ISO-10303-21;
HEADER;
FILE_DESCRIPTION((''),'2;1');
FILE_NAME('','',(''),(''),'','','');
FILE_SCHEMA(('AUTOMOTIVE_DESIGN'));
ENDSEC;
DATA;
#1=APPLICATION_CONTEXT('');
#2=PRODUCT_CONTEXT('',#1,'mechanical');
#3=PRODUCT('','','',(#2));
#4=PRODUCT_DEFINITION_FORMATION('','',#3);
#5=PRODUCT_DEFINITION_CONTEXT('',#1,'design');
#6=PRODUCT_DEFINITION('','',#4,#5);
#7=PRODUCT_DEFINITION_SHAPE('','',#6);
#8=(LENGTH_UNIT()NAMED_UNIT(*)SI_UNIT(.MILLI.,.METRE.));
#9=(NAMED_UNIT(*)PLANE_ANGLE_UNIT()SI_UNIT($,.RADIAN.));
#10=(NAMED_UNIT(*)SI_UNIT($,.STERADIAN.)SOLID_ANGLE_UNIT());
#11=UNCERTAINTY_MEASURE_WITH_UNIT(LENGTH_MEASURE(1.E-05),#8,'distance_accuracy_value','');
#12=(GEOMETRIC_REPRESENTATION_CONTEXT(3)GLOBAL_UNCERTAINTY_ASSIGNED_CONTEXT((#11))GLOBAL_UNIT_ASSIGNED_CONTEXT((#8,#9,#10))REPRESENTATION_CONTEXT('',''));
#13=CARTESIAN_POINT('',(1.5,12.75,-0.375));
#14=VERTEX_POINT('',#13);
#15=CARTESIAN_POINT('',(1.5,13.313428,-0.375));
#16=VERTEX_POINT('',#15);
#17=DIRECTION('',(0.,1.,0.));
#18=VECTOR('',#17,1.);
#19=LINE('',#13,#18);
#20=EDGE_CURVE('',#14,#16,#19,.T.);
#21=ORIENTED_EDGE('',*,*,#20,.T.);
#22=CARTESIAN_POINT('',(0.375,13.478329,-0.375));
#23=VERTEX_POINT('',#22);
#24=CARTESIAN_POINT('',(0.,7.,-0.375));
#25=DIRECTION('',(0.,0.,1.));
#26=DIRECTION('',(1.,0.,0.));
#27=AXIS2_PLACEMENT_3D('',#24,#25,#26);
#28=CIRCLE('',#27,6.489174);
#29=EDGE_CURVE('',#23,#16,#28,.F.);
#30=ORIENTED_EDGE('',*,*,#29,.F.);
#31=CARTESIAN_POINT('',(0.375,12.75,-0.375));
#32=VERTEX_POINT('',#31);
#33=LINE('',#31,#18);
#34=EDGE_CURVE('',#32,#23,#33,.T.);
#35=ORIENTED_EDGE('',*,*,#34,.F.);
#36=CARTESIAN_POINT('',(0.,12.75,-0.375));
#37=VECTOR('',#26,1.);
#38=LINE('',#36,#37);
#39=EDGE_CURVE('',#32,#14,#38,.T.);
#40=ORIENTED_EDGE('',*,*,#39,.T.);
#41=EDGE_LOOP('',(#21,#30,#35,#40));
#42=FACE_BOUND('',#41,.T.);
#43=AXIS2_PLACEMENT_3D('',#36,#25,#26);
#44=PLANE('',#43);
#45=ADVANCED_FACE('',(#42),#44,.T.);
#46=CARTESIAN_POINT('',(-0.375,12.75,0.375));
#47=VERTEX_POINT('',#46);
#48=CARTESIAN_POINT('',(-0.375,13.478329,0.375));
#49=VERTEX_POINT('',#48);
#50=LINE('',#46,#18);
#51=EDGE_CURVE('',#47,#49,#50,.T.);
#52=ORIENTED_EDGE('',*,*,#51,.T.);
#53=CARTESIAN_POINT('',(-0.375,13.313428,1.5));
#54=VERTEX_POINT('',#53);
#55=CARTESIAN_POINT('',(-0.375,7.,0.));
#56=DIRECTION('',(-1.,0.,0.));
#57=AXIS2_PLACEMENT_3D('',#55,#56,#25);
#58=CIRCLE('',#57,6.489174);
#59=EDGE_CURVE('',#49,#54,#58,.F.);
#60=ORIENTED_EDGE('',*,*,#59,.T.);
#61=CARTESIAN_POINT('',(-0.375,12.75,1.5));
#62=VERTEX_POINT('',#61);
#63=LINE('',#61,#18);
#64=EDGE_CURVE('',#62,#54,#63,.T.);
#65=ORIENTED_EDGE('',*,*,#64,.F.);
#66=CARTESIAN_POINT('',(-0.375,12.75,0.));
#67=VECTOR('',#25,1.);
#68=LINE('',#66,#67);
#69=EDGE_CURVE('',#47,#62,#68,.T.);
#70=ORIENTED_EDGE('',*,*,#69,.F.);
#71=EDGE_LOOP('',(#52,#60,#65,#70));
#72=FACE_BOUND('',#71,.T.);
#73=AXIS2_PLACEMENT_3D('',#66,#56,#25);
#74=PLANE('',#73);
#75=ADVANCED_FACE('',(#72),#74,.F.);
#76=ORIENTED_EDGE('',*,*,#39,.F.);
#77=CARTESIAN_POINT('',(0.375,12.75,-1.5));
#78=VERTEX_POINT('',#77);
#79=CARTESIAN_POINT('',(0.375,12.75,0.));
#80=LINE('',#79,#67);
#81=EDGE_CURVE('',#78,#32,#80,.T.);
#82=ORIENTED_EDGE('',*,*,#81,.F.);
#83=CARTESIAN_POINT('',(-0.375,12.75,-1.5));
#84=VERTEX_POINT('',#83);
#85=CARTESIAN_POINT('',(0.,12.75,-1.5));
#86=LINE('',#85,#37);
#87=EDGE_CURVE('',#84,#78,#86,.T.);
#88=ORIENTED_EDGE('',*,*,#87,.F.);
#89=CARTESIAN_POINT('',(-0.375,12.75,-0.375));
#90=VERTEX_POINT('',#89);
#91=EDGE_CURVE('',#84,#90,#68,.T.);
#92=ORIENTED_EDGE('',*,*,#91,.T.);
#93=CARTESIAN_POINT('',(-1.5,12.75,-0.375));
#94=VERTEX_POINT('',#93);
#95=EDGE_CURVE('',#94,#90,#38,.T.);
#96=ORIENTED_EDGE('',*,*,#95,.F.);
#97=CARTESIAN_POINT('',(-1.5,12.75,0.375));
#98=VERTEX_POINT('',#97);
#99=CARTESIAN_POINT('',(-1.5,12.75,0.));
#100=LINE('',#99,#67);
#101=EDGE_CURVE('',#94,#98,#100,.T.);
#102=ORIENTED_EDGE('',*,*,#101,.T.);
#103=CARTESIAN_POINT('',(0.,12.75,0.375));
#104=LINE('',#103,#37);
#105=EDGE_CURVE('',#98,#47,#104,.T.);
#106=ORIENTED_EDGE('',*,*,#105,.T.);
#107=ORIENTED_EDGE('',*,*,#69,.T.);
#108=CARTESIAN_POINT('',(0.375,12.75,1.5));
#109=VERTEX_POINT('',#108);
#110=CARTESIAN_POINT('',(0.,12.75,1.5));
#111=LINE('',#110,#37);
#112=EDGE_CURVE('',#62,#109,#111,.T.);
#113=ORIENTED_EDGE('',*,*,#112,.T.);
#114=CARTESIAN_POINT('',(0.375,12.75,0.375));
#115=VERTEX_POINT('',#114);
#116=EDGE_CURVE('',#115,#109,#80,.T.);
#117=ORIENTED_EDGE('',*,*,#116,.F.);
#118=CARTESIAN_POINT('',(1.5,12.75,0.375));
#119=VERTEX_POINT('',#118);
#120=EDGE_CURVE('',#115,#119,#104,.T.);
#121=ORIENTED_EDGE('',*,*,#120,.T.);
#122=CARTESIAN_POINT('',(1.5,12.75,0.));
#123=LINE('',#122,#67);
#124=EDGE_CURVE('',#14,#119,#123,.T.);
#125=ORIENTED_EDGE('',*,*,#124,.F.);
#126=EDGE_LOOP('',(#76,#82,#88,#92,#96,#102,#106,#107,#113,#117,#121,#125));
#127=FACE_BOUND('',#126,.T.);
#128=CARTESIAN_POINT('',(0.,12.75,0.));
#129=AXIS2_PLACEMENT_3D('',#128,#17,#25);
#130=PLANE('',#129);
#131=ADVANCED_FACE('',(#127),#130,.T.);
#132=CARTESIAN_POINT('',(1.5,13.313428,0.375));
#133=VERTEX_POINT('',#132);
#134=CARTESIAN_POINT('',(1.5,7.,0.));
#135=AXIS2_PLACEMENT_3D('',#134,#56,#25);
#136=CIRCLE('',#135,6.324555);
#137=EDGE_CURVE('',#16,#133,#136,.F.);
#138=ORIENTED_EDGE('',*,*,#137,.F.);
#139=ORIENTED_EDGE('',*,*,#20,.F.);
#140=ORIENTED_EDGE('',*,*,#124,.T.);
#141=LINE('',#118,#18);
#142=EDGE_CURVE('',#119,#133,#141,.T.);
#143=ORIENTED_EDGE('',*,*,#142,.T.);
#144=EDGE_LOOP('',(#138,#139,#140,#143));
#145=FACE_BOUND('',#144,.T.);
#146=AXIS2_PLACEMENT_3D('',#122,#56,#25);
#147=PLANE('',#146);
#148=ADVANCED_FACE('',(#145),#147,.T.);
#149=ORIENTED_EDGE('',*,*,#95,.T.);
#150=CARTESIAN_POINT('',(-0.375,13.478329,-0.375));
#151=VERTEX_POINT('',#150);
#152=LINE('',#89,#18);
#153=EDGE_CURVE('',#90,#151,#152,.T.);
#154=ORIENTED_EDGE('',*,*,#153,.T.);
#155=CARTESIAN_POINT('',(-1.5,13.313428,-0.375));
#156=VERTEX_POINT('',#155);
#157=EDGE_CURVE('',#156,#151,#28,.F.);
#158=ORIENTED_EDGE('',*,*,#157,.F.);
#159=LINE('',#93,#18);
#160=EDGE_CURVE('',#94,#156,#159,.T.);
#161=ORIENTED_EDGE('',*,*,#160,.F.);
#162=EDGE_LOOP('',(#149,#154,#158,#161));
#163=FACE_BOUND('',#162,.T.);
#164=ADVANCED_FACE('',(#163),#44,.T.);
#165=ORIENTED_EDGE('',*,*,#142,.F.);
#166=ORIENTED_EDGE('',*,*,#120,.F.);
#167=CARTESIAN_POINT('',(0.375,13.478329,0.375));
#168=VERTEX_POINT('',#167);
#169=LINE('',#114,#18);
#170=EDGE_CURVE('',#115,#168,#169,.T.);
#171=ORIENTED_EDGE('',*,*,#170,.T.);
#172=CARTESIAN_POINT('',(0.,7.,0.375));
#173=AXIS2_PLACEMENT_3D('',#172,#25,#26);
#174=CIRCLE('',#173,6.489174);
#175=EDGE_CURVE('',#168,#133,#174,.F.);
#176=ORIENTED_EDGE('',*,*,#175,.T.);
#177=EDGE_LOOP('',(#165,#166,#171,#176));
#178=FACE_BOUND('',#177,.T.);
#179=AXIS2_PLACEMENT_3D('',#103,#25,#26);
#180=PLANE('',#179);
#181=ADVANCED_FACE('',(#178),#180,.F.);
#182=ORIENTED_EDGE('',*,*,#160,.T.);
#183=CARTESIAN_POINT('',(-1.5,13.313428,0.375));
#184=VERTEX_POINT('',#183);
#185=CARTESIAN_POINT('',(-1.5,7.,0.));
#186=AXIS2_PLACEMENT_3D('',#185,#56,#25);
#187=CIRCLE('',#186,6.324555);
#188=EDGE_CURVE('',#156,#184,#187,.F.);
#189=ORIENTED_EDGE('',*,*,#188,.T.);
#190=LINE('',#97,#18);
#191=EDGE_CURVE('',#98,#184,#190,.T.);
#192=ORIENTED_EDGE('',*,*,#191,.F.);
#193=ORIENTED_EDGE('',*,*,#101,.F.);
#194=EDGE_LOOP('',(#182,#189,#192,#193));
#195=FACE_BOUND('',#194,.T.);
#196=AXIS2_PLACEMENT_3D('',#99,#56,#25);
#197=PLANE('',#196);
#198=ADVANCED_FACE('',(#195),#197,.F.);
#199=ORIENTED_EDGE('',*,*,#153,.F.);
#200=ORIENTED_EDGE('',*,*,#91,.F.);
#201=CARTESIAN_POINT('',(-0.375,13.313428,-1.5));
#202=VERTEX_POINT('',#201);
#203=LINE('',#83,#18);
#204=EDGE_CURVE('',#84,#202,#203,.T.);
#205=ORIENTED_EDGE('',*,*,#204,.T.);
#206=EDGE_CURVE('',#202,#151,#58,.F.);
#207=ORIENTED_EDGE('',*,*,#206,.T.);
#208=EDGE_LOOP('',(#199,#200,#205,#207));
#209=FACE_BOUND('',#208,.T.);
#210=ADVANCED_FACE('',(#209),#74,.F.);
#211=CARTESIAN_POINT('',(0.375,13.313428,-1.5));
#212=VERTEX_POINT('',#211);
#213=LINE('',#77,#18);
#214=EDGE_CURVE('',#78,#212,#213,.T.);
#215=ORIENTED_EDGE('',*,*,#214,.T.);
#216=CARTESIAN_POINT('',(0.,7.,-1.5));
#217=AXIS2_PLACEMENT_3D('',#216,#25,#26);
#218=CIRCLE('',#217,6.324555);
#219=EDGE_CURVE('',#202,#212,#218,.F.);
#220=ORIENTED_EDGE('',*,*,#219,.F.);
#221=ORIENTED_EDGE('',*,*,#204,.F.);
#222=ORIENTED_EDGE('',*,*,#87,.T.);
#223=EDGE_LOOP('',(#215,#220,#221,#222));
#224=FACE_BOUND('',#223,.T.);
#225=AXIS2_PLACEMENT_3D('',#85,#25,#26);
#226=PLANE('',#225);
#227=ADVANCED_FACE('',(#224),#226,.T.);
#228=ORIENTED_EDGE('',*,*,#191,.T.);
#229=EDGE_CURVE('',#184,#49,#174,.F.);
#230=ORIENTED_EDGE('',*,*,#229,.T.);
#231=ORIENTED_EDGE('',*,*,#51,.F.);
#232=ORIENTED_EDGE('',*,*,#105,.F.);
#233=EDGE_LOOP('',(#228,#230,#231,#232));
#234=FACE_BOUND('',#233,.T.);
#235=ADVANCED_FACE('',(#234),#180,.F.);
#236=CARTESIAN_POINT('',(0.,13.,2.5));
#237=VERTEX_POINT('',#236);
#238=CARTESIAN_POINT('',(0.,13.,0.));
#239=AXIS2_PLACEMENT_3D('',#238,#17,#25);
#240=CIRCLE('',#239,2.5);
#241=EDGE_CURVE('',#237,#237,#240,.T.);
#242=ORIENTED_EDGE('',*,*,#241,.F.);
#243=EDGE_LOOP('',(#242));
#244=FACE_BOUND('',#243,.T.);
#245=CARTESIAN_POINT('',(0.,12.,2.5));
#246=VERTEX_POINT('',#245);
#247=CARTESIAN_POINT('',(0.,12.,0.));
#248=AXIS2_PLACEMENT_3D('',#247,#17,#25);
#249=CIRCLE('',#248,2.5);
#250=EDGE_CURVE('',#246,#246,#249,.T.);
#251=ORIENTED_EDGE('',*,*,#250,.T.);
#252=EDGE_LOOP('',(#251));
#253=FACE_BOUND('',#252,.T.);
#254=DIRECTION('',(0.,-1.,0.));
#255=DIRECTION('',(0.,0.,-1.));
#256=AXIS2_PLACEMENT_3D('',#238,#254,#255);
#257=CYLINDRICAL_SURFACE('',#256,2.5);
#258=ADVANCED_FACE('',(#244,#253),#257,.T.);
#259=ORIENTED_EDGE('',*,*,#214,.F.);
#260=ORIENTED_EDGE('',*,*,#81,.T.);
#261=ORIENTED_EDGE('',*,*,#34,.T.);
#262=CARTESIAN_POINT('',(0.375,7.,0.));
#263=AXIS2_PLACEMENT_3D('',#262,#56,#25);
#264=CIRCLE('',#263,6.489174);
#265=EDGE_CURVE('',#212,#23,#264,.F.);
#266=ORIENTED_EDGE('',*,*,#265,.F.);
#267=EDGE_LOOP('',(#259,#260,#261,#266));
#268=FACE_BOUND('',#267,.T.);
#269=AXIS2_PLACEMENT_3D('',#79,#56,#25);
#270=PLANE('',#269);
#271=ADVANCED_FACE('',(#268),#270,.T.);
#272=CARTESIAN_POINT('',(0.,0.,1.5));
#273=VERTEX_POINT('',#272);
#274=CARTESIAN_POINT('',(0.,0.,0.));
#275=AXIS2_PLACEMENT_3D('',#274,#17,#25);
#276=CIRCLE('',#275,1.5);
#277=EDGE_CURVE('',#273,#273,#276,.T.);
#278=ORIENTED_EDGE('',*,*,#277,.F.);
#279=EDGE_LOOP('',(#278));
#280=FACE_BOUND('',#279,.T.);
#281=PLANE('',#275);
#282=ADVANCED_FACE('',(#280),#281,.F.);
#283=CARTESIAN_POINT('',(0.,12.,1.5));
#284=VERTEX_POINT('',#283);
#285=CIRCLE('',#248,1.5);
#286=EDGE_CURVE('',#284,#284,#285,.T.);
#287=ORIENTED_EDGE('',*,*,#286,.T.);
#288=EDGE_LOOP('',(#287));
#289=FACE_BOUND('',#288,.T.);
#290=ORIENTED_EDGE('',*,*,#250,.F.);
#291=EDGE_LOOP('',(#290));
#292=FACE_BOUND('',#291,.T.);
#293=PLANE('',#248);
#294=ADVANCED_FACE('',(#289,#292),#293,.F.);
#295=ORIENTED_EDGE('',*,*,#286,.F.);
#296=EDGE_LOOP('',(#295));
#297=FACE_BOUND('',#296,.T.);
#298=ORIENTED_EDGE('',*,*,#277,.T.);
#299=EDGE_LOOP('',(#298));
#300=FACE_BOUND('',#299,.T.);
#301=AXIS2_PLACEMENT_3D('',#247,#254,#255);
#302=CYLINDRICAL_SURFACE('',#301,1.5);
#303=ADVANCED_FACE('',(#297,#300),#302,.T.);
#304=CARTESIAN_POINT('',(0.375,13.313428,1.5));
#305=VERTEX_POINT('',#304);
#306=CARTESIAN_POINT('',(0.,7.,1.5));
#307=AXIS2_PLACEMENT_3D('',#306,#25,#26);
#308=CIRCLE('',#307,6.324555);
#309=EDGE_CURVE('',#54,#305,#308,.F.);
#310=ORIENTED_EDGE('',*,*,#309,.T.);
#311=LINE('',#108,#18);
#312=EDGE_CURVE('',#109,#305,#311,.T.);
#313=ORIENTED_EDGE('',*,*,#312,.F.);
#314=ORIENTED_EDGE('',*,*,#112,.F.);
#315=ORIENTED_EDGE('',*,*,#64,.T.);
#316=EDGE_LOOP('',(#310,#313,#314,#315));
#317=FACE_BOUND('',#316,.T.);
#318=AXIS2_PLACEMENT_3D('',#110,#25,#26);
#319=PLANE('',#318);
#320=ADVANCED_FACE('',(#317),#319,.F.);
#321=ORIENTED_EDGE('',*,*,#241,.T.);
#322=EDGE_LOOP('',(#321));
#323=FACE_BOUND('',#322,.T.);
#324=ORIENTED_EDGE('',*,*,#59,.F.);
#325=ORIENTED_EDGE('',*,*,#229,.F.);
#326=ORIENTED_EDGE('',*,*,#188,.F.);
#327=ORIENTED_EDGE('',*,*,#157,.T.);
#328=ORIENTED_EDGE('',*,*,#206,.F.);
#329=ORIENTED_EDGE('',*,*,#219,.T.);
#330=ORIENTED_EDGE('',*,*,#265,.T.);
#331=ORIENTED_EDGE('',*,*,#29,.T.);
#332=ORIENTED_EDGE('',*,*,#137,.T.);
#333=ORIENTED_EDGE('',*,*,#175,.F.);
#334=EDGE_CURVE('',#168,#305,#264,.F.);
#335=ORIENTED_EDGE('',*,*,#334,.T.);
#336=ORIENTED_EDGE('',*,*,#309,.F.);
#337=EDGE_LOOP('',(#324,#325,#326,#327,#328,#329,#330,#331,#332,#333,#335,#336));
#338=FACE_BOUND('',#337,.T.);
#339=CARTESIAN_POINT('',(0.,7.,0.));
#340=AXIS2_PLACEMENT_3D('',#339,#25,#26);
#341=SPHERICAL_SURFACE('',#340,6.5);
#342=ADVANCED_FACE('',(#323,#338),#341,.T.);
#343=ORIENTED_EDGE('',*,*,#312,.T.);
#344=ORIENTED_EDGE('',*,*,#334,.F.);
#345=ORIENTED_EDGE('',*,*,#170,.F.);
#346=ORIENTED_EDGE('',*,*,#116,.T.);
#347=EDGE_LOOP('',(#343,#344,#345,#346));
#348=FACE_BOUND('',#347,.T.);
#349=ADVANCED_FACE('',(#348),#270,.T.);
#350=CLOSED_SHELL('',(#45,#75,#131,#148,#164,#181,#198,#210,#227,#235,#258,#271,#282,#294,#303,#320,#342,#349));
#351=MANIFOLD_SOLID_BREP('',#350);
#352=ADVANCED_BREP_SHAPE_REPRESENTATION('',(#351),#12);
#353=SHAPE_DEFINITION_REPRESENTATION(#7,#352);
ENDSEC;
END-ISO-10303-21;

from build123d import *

# Parameters (mm, degrees)
SKETCH1_R           = 1.5
BOSS_EXTRUDE1_DEPTH = 12
SKETCH2_R           = 2.5
BOSS_EXTRUDE2_DEPTH = 1
DOME1_FACE_RADIUS   = 2.5
DOME1_HEIGHT        = 0.5
SKETCH3_W           = 1.125
SKETCH3_H           = 0.75
SKETCH3_W_2         = 0.75
SKETCH3_H_2         = 1.125
CUT_EXTRUDE1_DEPTH  = 0.75


with BuildPart() as part:
    # Sketch1 → Boss-Extrude1 (new body)
    with BuildSketch(Plane(origin=(0, 0, 0), x_dir=(1, 0, 0), z_dir=(0, 1, 0))):
        Circle(SKETCH1_R)
    extrude(amount=BOSS_EXTRUDE1_DEPTH)

    # Sketch2 → Boss-Extrude2 (add)
    with BuildSketch(Plane(origin=(0, 12, 0), x_dir=(1, 0, 0), z_dir=(0, 1, 0))):
        Circle(SKETCH2_R)
    extrude(amount=BOSS_EXTRUDE2_DEPTH)

    # Dome1: a dome of height H over a round flat face of radius A is a cap of a sphere of radius (A * A + H * H) / (2 * H)
    dome1_r = (DOME1_FACE_RADIUS * DOME1_FACE_RADIUS + DOME1_HEIGHT * DOME1_HEIGHT) / (2 * DOME1_HEIGHT)
    dome1_base = Plane((0, 13, 0), z_dir=(0, 1, 0))
    with Locations(dome1_base.offset(DOME1_HEIGHT - dome1_r)):
        dome1_ball = Sphere(dome1_r, mode=Mode.PRIVATE)
    add(split(dome1_ball, bisect_by=dome1_base, keep=Keep.TOP, mode=Mode.PRIVATE))

    # Sketch3 → Cut-Extrude1 (cut)
    with BuildSketch(Plane(origin=(0, 13.5, 0), x_dir=(1, 0, 0), z_dir=(0, 1, 0))):
        with Locations((-0.9375, 0)):
            Rectangle(SKETCH3_W, SKETCH3_H)
        Rectangle(SKETCH3_W_2, SKETCH3_H)
        with Locations((0, 0.9375)):
            Rectangle(SKETCH3_W_2, SKETCH3_H_2)
        with Locations((0.9375, 0)):
            Rectangle(SKETCH3_W, SKETCH3_H)
        with Locations((0, -0.9375)):
            Rectangle(SKETCH3_W_2, SKETCH3_H_2)
    extrude(amount=-CUT_EXTRUDE1_DEPTH, mode=Mode.SUBTRACT)


solid = part.part
